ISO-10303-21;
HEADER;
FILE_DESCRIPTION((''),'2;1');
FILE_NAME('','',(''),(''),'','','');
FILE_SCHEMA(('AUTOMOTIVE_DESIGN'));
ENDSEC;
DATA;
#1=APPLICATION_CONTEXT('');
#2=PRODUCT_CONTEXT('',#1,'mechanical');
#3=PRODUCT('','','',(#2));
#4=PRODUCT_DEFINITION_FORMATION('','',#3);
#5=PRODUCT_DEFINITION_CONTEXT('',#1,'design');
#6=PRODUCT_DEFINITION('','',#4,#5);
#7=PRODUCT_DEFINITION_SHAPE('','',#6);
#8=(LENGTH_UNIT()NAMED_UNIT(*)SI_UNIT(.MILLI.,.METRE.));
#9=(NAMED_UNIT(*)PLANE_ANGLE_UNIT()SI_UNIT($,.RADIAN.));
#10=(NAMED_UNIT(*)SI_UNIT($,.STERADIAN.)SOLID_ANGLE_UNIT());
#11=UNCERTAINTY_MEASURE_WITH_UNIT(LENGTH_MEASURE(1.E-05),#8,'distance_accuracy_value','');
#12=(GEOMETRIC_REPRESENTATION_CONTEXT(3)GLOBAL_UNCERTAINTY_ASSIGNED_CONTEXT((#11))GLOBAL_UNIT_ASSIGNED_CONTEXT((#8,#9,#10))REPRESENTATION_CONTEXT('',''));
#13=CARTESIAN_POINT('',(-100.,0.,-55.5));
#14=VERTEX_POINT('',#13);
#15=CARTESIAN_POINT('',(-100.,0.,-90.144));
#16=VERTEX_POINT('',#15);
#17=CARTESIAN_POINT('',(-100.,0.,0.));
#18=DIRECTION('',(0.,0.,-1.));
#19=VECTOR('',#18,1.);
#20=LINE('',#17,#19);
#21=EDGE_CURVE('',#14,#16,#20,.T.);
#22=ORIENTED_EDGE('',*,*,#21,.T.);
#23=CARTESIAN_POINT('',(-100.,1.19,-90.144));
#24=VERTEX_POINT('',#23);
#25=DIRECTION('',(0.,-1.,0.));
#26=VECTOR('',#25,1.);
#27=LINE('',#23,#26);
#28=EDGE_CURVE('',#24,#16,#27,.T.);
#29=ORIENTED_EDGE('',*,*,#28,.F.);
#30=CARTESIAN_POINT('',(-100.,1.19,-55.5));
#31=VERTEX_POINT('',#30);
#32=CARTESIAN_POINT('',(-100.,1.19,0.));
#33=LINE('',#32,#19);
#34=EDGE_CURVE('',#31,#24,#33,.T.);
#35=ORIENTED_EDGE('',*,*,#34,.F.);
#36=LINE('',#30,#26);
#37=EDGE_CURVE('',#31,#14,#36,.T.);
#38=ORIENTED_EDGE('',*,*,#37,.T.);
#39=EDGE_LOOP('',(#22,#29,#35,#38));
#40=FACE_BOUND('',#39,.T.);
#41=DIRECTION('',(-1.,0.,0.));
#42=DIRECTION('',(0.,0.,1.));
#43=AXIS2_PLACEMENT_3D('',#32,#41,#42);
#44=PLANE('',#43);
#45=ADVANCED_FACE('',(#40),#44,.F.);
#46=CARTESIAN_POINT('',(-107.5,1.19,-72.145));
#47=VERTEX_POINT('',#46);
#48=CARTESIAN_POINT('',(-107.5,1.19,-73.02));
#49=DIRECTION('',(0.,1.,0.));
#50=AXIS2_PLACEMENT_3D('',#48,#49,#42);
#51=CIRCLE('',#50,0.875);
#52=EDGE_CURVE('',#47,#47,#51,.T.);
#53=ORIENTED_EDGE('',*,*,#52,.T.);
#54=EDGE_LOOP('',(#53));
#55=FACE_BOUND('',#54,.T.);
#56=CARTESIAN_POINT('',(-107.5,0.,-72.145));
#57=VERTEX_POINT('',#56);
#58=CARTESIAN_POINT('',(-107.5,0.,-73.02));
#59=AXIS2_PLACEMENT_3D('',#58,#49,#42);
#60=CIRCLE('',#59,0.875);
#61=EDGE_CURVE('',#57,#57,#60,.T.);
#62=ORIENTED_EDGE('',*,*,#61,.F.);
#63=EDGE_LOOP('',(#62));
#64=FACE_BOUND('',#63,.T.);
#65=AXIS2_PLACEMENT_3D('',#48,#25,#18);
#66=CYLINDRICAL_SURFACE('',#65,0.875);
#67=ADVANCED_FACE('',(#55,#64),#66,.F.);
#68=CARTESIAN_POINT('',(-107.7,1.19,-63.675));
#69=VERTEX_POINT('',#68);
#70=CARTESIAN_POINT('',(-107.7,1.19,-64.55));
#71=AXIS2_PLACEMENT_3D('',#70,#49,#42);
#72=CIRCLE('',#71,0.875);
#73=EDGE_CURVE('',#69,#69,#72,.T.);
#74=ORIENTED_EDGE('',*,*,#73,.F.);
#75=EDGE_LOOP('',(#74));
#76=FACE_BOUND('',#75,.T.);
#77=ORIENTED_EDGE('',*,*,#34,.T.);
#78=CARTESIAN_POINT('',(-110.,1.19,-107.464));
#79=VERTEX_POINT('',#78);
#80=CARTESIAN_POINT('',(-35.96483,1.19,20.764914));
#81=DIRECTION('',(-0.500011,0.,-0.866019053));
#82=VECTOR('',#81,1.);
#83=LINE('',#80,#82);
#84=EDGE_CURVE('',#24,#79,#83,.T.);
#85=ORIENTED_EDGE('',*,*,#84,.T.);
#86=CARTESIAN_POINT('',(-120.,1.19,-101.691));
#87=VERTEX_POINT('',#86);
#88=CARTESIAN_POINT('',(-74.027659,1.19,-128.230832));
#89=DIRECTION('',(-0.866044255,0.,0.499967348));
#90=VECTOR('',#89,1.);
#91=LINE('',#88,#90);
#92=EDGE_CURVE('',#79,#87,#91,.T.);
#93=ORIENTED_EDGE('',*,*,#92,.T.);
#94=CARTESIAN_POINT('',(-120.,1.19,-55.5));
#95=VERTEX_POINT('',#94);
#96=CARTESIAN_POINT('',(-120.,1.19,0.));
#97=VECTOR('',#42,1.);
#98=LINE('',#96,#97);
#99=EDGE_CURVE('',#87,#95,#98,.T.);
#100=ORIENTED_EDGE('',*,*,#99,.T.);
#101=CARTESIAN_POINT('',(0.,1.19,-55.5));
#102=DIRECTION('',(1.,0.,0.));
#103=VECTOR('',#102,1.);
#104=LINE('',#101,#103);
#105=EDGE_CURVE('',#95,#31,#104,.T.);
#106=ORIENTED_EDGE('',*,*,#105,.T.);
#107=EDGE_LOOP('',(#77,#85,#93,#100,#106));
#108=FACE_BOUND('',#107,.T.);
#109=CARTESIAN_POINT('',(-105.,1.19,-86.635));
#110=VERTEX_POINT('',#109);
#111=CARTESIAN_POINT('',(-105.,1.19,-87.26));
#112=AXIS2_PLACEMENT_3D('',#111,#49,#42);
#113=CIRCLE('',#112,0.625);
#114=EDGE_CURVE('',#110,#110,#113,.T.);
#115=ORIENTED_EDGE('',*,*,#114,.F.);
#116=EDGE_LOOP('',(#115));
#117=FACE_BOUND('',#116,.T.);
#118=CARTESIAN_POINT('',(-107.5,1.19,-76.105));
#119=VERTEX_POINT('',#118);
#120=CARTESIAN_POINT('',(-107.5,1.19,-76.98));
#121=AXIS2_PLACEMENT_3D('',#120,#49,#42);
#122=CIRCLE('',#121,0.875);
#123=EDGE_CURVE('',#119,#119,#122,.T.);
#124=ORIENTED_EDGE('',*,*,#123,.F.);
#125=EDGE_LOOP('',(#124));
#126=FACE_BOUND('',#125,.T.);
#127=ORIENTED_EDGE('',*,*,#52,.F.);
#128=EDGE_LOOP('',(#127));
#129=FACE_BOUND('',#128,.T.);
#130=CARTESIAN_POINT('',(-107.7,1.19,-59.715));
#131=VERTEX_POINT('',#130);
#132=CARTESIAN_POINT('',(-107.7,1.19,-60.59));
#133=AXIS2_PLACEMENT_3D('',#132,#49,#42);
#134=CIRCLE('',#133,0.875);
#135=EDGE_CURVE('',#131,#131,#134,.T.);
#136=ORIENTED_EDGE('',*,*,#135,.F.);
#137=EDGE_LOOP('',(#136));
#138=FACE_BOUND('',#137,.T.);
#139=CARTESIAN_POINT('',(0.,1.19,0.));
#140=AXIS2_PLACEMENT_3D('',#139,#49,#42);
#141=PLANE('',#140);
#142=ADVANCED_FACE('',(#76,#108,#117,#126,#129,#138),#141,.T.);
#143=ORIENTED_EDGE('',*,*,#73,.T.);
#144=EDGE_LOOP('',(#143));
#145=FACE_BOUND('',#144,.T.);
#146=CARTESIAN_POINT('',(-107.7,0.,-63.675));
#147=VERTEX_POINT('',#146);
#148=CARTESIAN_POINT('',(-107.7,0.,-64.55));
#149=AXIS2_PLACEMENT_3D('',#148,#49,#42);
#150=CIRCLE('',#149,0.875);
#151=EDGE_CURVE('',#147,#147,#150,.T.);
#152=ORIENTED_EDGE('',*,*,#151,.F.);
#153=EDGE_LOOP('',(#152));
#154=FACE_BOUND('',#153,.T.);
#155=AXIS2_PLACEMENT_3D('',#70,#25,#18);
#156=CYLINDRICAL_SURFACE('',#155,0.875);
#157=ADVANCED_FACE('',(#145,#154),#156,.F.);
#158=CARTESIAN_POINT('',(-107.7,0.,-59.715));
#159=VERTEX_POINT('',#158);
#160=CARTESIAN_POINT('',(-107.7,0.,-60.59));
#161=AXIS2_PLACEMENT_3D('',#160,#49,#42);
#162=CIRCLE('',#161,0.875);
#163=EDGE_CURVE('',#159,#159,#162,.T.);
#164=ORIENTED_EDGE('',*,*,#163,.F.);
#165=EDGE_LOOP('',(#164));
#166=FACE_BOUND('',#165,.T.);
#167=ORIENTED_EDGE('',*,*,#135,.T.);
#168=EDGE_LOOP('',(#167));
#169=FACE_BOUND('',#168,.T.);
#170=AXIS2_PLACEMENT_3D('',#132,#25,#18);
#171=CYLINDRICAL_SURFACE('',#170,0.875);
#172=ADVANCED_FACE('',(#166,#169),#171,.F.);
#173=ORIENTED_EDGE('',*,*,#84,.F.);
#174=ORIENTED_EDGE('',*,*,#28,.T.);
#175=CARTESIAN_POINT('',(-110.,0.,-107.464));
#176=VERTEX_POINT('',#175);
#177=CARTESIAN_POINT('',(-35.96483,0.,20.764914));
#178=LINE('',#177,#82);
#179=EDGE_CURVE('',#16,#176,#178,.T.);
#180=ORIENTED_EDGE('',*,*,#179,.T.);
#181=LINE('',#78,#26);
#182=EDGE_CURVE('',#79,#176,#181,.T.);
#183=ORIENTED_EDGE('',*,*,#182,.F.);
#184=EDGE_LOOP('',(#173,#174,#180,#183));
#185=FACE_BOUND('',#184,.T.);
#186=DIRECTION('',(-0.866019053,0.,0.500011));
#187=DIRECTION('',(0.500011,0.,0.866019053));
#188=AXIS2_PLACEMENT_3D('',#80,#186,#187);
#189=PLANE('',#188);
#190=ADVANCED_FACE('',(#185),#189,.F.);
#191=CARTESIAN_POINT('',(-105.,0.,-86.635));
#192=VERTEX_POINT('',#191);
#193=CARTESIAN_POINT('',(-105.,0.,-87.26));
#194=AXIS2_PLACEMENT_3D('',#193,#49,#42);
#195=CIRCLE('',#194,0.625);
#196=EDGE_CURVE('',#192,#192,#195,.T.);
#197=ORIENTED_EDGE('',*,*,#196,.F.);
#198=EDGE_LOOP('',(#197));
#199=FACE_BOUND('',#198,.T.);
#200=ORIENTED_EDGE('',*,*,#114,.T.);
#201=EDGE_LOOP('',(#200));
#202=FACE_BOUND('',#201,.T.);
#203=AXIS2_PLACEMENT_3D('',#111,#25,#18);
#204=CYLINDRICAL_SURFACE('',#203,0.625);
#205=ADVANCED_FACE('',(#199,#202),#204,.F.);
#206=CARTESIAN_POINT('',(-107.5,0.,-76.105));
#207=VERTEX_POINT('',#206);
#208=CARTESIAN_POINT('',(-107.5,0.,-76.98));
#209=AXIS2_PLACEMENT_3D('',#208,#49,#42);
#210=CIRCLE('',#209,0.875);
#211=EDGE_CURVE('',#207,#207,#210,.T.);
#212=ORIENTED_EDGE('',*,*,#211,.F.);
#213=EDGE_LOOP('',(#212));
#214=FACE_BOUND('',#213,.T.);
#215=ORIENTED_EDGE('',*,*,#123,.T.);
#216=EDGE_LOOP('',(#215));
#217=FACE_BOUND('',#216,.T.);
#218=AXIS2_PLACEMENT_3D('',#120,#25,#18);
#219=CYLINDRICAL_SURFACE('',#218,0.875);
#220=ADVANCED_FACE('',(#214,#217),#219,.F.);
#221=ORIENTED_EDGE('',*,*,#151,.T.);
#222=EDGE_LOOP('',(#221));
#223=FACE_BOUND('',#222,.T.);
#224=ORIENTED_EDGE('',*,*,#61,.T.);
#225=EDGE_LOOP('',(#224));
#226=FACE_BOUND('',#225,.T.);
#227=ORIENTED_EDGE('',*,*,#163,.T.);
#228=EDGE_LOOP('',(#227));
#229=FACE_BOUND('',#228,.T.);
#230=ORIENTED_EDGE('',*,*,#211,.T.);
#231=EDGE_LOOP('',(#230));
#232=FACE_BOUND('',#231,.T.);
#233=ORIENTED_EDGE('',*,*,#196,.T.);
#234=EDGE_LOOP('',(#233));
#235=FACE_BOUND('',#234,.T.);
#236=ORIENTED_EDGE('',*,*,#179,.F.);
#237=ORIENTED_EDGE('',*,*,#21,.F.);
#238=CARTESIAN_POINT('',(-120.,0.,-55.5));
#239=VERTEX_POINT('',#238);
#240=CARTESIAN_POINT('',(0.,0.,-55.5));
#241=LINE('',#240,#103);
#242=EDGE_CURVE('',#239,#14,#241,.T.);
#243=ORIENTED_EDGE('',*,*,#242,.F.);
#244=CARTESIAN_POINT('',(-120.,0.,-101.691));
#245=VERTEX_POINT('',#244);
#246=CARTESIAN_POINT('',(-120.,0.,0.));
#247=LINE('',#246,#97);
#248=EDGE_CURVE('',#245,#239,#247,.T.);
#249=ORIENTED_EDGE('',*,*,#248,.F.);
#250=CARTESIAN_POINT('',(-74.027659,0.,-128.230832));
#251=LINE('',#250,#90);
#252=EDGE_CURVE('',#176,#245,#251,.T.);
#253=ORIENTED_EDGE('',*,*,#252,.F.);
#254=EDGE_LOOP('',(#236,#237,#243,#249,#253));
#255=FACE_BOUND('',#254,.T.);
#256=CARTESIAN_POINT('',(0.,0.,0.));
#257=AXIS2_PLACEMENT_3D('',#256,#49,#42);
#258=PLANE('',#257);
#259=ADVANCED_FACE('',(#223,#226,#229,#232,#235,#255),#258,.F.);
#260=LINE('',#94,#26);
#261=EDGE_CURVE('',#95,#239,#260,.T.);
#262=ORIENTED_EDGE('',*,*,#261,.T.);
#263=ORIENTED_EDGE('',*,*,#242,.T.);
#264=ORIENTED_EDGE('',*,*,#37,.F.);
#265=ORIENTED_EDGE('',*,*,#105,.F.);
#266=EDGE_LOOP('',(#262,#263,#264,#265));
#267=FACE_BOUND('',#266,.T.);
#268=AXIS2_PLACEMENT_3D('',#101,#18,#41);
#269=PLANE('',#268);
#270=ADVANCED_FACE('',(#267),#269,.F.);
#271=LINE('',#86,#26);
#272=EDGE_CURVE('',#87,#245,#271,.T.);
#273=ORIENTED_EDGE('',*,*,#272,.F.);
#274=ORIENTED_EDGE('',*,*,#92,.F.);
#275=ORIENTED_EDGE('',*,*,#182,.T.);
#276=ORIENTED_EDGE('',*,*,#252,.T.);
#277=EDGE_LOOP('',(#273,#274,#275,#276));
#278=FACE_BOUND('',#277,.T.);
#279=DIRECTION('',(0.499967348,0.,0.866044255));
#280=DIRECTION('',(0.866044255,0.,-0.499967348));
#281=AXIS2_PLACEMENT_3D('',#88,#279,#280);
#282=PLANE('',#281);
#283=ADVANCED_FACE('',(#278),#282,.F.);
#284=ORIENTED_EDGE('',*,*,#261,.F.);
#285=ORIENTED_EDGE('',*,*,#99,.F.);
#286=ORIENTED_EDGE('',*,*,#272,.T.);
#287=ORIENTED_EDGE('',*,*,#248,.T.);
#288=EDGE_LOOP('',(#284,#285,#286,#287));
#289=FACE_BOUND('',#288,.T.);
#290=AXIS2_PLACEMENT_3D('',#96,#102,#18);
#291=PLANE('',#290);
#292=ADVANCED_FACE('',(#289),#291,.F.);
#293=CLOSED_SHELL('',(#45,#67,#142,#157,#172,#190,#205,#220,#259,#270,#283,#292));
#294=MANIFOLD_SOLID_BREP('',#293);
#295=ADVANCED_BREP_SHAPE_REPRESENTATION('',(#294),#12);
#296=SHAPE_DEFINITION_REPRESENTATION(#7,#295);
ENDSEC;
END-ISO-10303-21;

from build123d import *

# Parameters (mm, degrees)
SKETCH1_R           = 0.875
SKETCH1_R_2         = 0.625
BOSS_EXTRUDE1_DEPTH = 1.19


with BuildPart() as part:
    # Sketch1 → Boss-Extrude1 (new body)
    with BuildSketch(Plane(origin=(0, 0, 0), x_dir=(1, 0, 0), z_dir=(0, 1, 0))):
        Polygon((-120, 101.691), (-120, 55.5), (-100, 55.5), (-100, 90.144), (-110, 107.464), align=None)
        with Locations(Location((-107.5, 73.02, 0), (0, 0, 270))):
            Circle(SKETCH1_R, mode=Mode.SUBTRACT)
        with Locations(Location((-105, 87.26, 0), (0, 0, 270))):
            Circle(SKETCH1_R_2, mode=Mode.SUBTRACT)
        with Locations(Location((-107.7, 60.59, 0), (0, 0, 270))):
            Circle(SKETCH1_R, mode=Mode.SUBTRACT)
        with Locations(Location((-107.5, 76.98, 0), (0, 0, 270))):
            Circle(SKETCH1_R, mode=Mode.SUBTRACT)
        with Locations(Location((-107.7, 64.55, 0), (0, 0, 270))):
            Circle(SKETCH1_R, mode=Mode.SUBTRACT)
    extrude(amount=BOSS_EXTRUDE1_DEPTH)


solid = part.part
